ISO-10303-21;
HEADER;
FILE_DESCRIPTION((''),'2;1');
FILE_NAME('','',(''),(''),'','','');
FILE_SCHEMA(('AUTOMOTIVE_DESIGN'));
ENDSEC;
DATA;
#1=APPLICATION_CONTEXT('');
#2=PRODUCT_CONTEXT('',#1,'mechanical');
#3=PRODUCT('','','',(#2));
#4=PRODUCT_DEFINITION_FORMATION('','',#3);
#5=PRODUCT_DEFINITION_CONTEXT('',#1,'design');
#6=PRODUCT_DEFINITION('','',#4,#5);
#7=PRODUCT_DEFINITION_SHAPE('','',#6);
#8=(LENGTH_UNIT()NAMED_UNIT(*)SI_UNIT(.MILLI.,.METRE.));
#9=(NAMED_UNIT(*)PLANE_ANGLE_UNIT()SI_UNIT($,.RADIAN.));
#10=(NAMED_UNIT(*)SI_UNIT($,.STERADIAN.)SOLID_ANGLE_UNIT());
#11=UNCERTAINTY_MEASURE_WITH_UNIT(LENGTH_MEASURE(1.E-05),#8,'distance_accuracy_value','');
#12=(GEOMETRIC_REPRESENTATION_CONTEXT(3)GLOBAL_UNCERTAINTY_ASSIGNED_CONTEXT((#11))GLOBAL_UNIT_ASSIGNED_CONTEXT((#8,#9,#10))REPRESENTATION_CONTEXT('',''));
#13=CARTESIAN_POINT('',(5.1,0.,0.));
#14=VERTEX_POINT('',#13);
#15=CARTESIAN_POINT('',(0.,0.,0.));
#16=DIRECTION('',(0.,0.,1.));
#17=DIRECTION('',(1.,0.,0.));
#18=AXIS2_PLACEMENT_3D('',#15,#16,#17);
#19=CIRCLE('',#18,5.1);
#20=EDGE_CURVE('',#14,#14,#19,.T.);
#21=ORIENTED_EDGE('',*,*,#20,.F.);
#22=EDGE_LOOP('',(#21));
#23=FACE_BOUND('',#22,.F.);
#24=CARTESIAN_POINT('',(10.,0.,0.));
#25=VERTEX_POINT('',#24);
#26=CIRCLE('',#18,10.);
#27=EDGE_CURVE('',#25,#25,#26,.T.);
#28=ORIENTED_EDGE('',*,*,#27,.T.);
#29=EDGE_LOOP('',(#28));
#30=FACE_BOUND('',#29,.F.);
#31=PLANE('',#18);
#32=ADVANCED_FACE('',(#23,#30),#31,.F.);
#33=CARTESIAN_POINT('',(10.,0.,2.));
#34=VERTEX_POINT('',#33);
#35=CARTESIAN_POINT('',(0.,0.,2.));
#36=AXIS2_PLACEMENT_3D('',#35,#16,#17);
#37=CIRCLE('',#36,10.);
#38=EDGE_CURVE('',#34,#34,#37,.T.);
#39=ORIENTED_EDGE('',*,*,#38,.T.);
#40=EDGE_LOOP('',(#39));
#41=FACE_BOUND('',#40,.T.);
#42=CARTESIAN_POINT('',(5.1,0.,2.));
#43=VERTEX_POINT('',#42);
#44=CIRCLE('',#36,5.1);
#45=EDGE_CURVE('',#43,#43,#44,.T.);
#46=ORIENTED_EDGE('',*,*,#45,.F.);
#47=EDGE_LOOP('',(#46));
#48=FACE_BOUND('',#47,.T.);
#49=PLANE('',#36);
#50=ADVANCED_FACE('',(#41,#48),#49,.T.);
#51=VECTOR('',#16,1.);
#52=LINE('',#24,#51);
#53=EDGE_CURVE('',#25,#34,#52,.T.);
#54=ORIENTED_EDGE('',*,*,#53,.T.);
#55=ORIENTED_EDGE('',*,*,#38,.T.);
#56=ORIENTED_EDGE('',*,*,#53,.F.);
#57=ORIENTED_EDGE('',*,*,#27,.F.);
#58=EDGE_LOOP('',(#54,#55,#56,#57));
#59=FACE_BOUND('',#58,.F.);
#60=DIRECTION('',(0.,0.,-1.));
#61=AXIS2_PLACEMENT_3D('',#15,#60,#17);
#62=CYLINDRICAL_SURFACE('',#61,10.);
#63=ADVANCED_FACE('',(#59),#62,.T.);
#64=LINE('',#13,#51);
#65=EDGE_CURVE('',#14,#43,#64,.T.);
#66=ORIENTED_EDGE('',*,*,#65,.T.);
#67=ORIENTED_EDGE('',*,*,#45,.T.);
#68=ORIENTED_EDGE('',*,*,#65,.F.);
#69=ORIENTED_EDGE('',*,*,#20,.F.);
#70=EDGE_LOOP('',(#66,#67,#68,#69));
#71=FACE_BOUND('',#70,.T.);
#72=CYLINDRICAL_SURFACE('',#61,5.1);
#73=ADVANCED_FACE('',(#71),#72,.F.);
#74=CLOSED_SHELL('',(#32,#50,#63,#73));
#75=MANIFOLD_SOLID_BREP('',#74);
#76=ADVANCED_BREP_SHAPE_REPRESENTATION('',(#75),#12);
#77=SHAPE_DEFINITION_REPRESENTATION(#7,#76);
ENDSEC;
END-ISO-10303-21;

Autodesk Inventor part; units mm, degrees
ref_plane "YZ Plane" through (0, 0, 0) normal (1, 0, 0) x (0, 1, 0)
ref_plane "XZ Plane" through (0, 0, 0) normal (0, 1, 0) x (-1, 0, 0)
ref_plane "XY Plane" through (0, 0, 0) normal (0, 0, 1) x (1, 0, 0)
sketch "スケッチ1" plane through (0, 0, 0) normal (0, 0, 1) x (1, 0, 0)
  circle A0 centre (0, 0) radius 5.1
  circle A1 centre (0, 0) radius 10
  dimension "d0" = 10.2
  dimension "d1" = 20
extrude "押し出し1" add sketch "スケッチ1" along normal blind 2
properties part number "TT-1020-20" material "PET プラスチック"
